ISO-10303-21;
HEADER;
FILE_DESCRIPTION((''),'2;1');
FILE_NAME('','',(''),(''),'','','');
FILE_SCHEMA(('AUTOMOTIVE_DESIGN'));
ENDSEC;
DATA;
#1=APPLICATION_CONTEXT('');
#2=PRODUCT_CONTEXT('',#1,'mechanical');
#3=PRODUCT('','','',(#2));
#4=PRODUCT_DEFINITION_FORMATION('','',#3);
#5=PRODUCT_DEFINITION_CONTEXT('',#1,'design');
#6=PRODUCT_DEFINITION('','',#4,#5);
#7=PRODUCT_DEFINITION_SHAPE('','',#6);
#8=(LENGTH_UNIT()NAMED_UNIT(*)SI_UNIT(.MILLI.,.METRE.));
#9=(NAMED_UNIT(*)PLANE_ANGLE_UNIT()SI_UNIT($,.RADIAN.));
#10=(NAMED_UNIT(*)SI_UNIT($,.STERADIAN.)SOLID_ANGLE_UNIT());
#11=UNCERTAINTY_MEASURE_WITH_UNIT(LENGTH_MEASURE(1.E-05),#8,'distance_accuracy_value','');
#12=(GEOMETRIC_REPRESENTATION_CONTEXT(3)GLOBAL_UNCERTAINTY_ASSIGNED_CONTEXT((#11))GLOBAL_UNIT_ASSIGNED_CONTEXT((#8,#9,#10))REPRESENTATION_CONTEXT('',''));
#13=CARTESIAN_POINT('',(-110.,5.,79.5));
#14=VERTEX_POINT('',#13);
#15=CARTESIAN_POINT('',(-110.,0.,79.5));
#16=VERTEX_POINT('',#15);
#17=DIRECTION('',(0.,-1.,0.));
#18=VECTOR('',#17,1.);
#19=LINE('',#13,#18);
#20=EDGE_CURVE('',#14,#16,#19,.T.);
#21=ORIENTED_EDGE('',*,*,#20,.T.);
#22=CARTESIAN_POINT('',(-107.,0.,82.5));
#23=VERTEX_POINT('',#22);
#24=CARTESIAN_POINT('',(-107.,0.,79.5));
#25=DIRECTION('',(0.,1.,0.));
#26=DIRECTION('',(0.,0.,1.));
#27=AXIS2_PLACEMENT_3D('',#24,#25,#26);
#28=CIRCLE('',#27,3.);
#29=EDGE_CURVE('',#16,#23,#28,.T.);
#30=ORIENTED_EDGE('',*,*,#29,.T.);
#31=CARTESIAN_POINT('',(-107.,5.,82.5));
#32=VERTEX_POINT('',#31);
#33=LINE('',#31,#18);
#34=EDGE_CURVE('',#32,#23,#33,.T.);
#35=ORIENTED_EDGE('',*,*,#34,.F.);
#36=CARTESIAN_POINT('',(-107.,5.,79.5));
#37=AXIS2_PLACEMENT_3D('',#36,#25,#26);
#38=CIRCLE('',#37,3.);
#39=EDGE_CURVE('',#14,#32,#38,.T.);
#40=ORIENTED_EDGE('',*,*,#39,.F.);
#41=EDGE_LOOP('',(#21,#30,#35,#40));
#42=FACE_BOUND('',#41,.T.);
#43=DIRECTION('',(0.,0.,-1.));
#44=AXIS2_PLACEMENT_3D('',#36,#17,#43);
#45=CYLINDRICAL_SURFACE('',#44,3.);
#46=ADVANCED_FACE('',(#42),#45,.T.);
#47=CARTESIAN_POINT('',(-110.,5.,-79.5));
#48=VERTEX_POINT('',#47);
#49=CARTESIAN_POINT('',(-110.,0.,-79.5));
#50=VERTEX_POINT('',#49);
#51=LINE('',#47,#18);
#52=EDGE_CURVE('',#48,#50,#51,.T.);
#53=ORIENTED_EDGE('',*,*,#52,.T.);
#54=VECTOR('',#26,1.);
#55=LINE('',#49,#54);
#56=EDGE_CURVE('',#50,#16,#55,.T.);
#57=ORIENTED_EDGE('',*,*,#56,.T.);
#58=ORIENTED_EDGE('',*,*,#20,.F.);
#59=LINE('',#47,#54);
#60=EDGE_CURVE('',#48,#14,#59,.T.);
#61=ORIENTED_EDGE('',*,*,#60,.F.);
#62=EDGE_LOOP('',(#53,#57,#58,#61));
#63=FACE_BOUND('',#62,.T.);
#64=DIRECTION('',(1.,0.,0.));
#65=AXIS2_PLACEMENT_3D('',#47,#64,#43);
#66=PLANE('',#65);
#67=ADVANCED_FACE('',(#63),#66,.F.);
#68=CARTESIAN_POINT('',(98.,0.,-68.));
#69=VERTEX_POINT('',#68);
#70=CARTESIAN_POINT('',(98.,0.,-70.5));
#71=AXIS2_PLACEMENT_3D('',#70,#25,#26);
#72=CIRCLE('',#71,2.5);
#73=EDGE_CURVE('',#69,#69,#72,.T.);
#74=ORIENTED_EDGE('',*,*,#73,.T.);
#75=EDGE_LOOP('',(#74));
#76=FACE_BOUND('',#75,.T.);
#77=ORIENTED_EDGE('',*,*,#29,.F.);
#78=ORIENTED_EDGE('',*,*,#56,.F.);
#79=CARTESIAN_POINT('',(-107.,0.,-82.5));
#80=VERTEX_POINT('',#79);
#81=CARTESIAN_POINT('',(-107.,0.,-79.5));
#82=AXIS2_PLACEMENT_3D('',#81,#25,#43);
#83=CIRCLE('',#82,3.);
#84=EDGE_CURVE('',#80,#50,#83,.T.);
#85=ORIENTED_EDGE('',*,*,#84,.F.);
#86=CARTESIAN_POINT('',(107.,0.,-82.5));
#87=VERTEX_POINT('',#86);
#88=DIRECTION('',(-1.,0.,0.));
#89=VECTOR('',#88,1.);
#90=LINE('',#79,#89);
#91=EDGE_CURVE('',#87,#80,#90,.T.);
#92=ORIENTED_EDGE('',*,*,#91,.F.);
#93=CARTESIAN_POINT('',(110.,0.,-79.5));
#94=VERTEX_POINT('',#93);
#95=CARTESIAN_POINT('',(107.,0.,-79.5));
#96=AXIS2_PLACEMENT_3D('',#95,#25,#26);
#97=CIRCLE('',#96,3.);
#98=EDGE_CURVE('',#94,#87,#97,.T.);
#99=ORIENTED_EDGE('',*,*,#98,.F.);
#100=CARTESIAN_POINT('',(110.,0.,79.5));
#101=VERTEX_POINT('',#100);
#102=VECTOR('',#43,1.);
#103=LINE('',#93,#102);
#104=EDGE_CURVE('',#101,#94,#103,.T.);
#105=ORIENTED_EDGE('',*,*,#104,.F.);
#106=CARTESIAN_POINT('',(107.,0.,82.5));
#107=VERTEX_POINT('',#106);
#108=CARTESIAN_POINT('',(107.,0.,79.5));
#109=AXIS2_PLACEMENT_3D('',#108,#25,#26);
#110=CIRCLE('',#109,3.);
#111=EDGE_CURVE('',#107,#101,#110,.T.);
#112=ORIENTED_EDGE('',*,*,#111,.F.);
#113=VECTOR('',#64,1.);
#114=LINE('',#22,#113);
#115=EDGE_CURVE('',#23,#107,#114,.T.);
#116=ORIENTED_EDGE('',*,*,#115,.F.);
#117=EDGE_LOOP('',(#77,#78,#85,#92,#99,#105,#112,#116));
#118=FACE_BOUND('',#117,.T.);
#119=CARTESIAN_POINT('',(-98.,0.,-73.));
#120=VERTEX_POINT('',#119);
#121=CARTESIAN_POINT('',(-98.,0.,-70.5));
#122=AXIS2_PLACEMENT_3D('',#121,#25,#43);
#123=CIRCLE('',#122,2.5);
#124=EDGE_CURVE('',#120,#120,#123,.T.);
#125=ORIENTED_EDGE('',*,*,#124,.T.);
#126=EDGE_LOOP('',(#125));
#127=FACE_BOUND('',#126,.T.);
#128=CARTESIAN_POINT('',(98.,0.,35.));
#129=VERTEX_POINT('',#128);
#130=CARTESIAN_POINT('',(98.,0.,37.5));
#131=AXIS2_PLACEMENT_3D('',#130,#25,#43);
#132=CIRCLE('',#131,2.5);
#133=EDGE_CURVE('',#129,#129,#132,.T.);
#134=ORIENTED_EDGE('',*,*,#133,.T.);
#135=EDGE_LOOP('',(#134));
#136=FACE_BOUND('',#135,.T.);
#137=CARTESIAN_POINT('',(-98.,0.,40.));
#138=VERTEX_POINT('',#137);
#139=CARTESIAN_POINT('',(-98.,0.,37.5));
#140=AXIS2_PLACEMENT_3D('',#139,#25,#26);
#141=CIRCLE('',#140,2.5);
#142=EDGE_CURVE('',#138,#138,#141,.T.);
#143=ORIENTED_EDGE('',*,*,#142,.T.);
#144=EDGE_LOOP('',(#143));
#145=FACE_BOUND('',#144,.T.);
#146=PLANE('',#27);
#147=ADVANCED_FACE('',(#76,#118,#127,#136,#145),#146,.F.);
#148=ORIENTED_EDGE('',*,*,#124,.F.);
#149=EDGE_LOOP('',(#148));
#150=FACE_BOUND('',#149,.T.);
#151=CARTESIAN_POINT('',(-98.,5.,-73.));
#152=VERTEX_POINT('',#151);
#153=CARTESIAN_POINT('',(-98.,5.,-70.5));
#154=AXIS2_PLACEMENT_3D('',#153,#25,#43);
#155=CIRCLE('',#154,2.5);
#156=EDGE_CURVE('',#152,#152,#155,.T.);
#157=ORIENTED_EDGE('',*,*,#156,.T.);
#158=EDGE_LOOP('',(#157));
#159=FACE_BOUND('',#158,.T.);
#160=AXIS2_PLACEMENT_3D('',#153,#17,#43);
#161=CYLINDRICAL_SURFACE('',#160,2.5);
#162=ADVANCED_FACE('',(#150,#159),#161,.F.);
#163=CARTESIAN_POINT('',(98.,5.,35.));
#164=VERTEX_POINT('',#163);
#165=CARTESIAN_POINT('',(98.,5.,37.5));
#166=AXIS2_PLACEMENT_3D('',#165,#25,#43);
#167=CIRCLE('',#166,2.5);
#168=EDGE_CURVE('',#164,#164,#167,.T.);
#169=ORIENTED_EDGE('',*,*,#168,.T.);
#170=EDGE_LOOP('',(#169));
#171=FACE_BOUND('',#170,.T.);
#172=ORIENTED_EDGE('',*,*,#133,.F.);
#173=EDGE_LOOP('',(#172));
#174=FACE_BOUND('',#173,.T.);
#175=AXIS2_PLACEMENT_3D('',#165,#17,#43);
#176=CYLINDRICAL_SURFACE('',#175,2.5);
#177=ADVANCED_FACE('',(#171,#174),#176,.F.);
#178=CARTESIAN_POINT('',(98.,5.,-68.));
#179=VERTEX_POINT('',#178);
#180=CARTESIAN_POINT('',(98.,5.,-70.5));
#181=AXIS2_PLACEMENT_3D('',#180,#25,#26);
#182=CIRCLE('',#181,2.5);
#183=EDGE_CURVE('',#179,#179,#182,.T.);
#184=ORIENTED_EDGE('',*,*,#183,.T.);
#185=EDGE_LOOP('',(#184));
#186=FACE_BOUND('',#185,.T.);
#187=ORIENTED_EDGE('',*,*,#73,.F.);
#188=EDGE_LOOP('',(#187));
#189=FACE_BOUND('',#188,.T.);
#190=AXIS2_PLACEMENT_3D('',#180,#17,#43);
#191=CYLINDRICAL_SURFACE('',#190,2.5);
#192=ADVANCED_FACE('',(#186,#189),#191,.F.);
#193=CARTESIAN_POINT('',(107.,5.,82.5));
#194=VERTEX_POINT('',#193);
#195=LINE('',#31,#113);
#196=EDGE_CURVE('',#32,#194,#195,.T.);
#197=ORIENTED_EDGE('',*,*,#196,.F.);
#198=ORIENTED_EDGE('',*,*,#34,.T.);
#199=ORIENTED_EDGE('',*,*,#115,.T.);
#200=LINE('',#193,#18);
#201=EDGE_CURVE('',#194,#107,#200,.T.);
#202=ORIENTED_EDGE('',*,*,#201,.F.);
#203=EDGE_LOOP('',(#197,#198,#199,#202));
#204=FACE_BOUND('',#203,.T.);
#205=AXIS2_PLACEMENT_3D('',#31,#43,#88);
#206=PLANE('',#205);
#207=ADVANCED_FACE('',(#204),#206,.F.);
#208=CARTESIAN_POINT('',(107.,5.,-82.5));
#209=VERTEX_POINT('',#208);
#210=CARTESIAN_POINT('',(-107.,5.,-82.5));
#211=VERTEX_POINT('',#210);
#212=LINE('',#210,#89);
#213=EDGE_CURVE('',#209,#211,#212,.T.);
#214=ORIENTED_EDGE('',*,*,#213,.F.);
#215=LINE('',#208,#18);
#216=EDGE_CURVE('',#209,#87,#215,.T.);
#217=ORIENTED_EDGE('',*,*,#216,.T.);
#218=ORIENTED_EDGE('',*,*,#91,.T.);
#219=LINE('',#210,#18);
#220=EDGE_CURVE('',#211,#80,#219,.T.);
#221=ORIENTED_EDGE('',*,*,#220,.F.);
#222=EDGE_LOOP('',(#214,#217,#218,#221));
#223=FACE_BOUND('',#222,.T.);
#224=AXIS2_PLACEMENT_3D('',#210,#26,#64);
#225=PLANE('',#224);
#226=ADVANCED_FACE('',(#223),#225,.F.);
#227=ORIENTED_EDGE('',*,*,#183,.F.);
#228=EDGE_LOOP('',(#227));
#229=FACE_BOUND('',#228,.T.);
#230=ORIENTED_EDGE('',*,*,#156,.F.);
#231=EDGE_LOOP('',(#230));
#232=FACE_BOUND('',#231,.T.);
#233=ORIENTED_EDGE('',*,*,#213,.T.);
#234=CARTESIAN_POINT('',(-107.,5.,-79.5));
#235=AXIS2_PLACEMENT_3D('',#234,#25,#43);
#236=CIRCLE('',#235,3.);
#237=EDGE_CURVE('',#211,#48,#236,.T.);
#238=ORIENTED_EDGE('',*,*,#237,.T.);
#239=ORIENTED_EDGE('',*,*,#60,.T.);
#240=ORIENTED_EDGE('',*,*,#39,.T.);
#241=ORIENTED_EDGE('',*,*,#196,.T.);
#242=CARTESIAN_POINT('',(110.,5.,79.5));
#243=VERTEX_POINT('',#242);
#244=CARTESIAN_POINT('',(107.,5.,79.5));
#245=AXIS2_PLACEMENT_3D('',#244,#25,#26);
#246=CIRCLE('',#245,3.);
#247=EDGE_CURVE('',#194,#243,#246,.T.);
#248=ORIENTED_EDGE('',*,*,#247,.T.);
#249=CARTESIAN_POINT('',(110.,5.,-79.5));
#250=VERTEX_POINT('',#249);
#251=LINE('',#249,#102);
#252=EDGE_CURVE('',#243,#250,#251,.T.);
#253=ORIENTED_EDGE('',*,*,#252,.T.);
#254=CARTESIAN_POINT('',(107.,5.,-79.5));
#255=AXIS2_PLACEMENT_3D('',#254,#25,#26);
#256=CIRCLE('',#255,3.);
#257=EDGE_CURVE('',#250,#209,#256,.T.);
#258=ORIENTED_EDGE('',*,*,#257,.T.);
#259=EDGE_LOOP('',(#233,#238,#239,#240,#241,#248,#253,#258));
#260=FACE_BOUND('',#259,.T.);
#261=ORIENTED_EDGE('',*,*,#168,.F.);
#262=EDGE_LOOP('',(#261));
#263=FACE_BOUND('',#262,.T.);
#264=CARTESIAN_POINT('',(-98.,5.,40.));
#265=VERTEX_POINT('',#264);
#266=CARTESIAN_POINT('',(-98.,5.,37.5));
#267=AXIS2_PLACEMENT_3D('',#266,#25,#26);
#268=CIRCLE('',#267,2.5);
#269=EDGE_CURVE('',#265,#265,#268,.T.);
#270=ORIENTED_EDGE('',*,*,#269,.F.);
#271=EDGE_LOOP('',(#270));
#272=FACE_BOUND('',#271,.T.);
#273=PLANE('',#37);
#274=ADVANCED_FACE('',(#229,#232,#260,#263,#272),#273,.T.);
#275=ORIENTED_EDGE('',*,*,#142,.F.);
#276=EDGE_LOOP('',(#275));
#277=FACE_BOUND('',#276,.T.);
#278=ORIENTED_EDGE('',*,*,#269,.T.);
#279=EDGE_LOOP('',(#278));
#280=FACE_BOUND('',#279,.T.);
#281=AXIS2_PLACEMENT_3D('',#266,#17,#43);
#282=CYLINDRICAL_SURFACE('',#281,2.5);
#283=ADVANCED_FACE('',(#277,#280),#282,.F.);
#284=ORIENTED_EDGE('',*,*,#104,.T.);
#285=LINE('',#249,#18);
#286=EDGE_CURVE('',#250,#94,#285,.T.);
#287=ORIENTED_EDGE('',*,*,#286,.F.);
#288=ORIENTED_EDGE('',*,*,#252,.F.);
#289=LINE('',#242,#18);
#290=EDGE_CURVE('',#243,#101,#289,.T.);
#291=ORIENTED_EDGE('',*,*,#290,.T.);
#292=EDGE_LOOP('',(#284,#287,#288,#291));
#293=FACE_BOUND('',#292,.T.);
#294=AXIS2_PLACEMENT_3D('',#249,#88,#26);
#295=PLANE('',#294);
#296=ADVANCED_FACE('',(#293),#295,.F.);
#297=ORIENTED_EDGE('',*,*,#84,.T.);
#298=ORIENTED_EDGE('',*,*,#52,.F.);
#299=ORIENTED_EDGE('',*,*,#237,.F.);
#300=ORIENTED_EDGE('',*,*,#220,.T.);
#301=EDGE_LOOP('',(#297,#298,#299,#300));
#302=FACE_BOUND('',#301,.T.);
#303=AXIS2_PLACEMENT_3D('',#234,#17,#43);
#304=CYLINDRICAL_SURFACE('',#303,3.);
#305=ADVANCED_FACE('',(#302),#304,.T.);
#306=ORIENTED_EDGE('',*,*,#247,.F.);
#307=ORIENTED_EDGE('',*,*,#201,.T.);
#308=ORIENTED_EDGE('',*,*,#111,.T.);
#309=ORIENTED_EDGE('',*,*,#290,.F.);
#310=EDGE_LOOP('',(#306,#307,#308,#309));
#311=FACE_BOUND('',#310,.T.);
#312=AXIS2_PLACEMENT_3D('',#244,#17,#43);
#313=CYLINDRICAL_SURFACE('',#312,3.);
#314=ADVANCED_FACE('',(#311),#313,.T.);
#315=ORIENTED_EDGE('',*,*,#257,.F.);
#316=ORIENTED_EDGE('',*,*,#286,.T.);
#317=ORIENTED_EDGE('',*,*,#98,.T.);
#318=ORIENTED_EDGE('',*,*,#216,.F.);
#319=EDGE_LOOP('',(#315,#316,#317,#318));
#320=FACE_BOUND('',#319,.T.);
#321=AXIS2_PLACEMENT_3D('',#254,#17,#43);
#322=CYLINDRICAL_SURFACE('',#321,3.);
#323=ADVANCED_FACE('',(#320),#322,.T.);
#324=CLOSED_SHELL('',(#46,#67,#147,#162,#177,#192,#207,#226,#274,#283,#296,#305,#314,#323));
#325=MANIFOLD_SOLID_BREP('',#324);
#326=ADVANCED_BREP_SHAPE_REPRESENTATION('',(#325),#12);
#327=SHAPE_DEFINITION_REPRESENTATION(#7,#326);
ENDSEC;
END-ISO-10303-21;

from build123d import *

# Parameters (mm, degrees)
SKETCH1_R           = 2.5
BOSS_EXTRUDE1_DEPTH = 5


with BuildPart() as part:
    # Sketch1 → Boss-Extrude1 (new body)
    with BuildSketch(Plane(origin=(0, 0, 0), x_dir=(1, 0, 0), z_dir=(0, 1, 0))):
        with BuildLine():
            Line((-107, 82.5), (107, 82.5))
            ThreePointArc((107, 82.5), (109.121320344, 81.621320344), (110, 79.5))
            Line((110, 79.5), (110, -79.5))
            ThreePointArc((110, -79.5), (109.121320344, -81.621320344), (107, -82.5))
            Line((107, -82.5), (-107, -82.5))
            ThreePointArc((-107, -82.5), (-109.121320344, -81.621320344), (-110, -79.5))
            Line((-110, -79.5), (-110, 79.5))
            ThreePointArc((-110, 79.5), (-109.121320344, 81.621320344), (-107, 82.5))
        make_face()
        with Locations(Location((-98, -37.5, 0), (0, 0, 270))):
            Circle(SKETCH1_R, mode=Mode.SUBTRACT)
        with Locations(Location((-98, 70.5, 0), (0, 0, 90))):
            Circle(SKETCH1_R, mode=Mode.SUBTRACT)
        with Locations(Location((98, 70.5, 0), (0, 0, 270))):
            Circle(SKETCH1_R, mode=Mode.SUBTRACT)
        with Locations(Location((98, -37.5, 0), (0, 0, 90))):
            Circle(SKETCH1_R, mode=Mode.SUBTRACT)
    extrude(amount=BOSS_EXTRUDE1_DEPTH)


solid = part.part
